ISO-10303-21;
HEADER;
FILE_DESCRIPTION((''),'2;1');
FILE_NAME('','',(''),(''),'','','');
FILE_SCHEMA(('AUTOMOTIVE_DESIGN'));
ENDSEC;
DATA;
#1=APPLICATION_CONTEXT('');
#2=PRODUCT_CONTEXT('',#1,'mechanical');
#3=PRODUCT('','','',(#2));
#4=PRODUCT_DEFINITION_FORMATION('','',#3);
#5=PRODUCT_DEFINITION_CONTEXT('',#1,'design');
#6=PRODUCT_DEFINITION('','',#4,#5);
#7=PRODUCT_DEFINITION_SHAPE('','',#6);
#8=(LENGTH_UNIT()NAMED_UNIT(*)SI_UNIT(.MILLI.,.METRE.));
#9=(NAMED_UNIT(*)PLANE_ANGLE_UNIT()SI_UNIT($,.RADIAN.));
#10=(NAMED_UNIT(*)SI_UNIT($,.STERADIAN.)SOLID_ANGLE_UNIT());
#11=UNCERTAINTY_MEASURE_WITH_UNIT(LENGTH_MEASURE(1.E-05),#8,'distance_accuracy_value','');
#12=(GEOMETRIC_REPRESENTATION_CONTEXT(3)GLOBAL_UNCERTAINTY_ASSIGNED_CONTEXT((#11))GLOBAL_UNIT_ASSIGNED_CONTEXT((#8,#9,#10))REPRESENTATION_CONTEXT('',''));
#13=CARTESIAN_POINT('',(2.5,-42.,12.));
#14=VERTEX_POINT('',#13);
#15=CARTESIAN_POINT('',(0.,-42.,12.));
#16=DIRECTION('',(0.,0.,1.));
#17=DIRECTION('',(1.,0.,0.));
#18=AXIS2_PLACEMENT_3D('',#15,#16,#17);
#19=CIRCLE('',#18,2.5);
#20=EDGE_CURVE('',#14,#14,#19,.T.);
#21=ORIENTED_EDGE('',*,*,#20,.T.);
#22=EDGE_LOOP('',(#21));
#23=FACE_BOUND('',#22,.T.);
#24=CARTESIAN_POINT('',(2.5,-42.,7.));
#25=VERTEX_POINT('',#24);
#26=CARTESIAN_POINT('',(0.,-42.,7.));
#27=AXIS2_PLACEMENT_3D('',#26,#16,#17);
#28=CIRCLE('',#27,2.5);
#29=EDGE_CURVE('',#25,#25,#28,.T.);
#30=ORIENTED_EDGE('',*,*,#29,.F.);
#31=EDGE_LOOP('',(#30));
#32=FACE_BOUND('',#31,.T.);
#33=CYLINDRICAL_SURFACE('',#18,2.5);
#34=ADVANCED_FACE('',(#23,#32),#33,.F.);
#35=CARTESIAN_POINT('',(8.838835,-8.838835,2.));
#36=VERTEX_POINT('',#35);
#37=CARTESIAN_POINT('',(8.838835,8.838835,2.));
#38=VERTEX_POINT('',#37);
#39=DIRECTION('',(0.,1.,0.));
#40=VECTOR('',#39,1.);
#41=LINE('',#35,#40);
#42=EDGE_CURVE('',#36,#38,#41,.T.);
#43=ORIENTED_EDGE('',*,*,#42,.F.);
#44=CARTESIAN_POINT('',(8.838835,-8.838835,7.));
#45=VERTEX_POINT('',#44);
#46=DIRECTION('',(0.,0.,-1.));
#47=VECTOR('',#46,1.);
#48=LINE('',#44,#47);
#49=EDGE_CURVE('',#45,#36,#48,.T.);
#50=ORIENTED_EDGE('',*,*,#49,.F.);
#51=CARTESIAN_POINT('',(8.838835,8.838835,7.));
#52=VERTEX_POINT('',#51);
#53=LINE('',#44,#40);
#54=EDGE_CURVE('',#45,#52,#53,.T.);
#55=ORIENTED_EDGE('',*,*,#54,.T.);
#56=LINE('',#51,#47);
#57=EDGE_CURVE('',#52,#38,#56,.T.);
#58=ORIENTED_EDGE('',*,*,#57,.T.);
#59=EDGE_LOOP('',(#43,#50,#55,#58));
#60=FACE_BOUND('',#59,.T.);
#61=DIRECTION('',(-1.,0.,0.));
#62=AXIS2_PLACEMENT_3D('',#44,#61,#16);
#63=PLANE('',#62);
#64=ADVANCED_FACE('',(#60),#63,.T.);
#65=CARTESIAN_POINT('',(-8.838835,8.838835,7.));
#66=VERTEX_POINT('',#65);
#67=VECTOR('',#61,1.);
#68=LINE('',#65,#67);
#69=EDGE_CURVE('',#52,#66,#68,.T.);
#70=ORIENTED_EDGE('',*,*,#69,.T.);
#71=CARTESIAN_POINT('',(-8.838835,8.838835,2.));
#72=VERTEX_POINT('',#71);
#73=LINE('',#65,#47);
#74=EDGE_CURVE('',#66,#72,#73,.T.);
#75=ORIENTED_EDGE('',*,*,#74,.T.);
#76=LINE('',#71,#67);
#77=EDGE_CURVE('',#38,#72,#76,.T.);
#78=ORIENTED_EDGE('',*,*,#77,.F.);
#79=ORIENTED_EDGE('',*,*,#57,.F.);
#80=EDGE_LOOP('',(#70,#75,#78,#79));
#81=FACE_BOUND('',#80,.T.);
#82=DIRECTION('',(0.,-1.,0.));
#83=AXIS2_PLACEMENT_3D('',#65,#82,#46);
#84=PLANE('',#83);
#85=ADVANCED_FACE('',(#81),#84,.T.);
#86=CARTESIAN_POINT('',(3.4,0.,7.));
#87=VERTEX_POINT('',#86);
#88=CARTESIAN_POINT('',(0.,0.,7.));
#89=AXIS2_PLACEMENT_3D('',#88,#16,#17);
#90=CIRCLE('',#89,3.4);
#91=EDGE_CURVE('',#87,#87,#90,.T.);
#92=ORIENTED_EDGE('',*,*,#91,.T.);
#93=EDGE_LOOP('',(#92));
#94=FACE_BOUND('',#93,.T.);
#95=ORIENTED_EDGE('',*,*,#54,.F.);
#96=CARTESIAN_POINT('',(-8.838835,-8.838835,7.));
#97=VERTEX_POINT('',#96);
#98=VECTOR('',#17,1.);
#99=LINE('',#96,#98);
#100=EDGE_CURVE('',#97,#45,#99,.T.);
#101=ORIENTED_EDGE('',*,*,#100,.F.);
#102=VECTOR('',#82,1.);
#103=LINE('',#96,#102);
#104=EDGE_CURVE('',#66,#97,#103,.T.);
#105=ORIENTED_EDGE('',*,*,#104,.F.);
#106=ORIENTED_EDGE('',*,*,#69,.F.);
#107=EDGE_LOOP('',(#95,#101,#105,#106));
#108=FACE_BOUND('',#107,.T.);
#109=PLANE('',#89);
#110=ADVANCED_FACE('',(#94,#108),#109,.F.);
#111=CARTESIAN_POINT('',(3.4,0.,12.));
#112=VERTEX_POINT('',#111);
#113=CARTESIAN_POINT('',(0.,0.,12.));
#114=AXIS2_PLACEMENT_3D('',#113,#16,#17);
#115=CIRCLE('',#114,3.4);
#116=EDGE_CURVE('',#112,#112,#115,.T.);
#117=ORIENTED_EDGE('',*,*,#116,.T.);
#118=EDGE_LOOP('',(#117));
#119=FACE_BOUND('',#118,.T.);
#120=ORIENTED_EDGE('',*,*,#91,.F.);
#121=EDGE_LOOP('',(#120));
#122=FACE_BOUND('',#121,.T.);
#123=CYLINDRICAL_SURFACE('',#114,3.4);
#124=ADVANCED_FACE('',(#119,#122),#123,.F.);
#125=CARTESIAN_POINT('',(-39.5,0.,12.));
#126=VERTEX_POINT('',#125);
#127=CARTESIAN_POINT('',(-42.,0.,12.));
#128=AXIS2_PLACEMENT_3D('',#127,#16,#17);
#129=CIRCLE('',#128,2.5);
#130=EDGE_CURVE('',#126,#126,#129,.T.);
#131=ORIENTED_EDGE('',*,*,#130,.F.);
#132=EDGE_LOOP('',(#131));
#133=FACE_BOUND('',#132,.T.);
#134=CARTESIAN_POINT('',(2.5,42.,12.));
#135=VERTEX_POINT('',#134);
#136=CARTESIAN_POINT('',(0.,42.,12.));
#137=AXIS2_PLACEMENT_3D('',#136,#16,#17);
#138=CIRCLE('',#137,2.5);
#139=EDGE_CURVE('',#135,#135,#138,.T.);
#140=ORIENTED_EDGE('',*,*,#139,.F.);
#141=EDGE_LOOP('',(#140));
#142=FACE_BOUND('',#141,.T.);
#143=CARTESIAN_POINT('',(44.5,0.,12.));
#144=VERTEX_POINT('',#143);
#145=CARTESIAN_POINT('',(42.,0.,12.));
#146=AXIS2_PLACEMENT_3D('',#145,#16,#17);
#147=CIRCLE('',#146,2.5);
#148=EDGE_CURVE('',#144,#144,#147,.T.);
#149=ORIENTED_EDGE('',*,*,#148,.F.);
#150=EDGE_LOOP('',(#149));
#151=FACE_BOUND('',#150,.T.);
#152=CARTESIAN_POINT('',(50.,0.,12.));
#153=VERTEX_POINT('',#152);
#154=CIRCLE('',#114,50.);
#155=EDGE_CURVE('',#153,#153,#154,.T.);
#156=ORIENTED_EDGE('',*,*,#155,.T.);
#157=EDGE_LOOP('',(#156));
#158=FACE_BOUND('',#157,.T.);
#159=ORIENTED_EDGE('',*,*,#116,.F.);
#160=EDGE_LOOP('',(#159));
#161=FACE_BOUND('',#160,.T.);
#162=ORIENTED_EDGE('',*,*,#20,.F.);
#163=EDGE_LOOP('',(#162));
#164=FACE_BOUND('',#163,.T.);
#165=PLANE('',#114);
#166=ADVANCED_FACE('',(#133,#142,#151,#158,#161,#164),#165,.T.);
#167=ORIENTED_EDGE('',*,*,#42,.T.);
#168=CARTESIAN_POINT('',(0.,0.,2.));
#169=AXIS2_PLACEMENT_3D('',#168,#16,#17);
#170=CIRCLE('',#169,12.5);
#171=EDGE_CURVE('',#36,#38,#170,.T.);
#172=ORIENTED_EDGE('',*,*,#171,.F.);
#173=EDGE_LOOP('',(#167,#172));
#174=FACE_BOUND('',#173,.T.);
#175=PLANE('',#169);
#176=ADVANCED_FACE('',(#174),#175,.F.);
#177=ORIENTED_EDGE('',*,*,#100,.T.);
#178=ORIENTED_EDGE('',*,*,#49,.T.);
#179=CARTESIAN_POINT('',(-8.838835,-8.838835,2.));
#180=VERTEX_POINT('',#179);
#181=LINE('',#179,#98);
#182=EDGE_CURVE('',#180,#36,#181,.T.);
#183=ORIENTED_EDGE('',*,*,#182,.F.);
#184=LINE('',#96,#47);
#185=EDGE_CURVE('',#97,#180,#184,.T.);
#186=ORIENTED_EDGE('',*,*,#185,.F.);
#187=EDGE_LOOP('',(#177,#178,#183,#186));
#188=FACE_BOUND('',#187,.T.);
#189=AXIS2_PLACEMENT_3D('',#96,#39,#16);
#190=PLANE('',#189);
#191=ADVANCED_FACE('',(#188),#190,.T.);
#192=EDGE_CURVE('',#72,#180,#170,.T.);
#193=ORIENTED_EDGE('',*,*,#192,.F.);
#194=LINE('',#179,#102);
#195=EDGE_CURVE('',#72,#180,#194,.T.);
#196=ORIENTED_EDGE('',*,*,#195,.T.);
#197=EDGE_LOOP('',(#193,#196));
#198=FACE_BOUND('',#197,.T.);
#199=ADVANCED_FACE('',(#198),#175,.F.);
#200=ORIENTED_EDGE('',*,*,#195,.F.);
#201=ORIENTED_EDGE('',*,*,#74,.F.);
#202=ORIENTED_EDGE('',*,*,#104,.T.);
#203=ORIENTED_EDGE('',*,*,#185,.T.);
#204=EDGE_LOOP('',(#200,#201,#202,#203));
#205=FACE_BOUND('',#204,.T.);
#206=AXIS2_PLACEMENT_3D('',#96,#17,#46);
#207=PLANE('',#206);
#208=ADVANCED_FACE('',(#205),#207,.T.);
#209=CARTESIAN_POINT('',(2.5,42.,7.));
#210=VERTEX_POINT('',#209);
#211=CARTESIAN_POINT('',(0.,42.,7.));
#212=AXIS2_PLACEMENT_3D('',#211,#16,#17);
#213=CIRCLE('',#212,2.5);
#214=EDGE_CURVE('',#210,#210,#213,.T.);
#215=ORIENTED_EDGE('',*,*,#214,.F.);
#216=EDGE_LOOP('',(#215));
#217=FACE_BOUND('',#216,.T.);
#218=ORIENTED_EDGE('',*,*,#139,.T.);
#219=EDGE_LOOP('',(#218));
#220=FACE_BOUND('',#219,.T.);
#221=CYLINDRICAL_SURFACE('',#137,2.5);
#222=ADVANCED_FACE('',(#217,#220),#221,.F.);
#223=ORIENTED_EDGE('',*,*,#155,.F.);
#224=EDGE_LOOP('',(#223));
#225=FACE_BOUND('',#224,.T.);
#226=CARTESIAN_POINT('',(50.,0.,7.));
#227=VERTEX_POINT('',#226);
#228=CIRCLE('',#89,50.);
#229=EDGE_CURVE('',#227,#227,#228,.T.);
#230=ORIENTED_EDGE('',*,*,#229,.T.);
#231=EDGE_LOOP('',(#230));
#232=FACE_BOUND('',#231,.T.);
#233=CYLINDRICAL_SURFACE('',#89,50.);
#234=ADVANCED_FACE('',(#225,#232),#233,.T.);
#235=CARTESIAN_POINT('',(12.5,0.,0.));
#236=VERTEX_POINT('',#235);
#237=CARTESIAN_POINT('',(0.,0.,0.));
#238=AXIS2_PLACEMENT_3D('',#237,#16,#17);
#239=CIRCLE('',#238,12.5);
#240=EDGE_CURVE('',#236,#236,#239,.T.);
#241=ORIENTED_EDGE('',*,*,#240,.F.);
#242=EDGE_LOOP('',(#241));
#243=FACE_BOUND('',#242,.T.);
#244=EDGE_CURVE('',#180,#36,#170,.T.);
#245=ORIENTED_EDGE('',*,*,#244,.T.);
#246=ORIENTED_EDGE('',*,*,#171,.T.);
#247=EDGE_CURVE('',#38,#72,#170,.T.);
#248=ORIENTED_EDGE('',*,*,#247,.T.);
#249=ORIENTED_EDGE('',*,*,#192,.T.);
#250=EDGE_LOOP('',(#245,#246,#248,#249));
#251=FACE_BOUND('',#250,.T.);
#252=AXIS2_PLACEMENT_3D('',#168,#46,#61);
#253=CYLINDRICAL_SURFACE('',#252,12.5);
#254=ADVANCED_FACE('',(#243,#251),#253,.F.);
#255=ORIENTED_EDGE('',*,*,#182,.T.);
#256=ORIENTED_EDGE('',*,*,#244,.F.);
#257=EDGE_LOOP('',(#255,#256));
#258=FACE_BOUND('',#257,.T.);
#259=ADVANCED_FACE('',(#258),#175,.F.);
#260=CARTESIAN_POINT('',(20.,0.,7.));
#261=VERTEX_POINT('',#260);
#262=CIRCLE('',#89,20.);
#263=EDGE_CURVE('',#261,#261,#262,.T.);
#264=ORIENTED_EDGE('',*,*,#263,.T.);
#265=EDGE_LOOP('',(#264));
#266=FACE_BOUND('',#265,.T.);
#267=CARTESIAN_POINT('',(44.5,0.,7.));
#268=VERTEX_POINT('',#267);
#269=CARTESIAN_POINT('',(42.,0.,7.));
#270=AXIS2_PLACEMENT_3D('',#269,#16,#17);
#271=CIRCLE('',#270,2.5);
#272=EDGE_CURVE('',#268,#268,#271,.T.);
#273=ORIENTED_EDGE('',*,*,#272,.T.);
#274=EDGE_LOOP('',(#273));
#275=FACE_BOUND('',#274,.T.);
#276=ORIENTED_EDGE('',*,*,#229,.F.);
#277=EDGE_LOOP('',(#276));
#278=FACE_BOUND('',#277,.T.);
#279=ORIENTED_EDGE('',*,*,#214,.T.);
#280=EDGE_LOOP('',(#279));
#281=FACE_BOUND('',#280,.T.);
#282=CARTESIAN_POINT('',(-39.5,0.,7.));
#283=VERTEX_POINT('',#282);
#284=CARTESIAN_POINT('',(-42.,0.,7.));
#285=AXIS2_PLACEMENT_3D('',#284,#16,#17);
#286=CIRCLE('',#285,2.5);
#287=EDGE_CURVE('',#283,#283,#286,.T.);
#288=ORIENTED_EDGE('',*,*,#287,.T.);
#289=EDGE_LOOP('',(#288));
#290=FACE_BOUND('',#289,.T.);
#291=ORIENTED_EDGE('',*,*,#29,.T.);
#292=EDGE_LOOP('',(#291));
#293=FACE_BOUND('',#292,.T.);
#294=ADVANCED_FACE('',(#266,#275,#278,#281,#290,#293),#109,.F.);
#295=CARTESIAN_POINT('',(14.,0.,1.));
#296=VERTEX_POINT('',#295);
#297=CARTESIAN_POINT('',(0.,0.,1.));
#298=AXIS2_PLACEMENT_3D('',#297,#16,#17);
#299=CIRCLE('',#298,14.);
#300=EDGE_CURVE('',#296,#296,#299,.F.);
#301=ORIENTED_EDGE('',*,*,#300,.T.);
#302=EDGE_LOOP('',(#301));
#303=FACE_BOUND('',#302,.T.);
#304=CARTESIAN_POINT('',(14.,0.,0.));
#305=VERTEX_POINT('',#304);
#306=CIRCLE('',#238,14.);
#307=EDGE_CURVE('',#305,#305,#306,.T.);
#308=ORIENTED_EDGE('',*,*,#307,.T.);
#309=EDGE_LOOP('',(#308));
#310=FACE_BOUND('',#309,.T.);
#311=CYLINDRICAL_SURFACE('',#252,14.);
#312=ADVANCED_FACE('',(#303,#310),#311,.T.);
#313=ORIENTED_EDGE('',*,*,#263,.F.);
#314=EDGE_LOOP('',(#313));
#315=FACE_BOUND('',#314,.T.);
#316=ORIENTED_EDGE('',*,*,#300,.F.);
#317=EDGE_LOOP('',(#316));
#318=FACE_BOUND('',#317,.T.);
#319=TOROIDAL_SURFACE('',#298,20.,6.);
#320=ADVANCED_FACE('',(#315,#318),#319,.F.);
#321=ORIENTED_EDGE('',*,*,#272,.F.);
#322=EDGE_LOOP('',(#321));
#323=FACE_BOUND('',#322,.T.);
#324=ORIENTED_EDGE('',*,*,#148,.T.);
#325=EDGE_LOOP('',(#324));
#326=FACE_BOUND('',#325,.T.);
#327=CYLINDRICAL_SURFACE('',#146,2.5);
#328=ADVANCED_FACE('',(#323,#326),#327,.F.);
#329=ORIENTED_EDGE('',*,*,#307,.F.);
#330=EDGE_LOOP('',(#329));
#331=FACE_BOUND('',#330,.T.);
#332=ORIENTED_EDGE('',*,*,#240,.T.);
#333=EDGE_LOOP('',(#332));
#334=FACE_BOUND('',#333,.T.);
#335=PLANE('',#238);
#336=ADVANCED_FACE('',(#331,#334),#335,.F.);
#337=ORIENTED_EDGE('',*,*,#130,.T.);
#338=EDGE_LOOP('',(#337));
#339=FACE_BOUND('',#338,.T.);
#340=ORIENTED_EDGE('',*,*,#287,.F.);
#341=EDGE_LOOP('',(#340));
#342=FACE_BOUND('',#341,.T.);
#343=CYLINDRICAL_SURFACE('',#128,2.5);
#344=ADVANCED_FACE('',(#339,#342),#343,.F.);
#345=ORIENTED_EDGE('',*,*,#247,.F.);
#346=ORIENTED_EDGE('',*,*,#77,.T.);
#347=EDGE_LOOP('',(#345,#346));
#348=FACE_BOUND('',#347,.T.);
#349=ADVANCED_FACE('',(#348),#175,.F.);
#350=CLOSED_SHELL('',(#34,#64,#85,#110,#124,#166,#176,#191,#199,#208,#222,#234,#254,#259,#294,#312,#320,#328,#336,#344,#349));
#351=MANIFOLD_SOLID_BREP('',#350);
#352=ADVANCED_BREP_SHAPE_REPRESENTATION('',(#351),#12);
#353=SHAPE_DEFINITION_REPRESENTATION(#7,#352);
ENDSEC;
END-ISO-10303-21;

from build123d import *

# Parameters (mm, degrees)
SKETCH1_R              = 14
SKETCH1_R_2            = 12.5
BOSS_EXTRUDE1_DEPTH    = 2
SKETCH2_R              = 14
SKETCH2_W              = 17.67766953
SKETCH2_H              = 17.67766953
BOSS_EXTRUDE2_DEPTH    = 5
SKETCH3_R              = 14
BOSS_EXTRUDE3_DEPTH    = 5
SKETCH6_R              = 50
BOSS_EXTRUDE4_DEPTH    = 5
M8X1_25_TAPPED_HOLE1_D = 6.8
M6X1_0_TAPPED_HOLE1_D  = 5
FILLET1_R              = 6


with BuildPart() as part:
    # Sketch1 → Boss-Extrude1 (new body)
    with BuildSketch(Plane.XY):
        Circle(SKETCH1_R)
        Circle(SKETCH1_R_2, mode=Mode.SUBTRACT)
    extrude(amount=BOSS_EXTRUDE1_DEPTH)

    # Sketch2 → Boss-Extrude2 (add)
    with BuildSketch(Plane.XY.offset(2)):
        Circle(SKETCH2_R)
        Rectangle(SKETCH2_W, SKETCH2_H, mode=Mode.SUBTRACT)
    extrude(amount=BOSS_EXTRUDE2_DEPTH)

    # Sketch3 → Boss-Extrude3 (add)
    with BuildSketch(Plane.XY.offset(7)):
        Circle(SKETCH3_R)
    extrude(amount=BOSS_EXTRUDE3_DEPTH)

    # Sketch6 → Boss-Extrude4 (add)
    with BuildSketch(Plane.XY.offset(12)):
        Circle(SKETCH6_R)
    extrude(amount=-BOSS_EXTRUDE4_DEPTH)

    # M8x1.25 Tapped Hole1 (through all)
    with Locations(Plane.XY.offset(12)):
        with Locations((0, 0)):
            Hole(M8X1_25_TAPPED_HOLE1_D / 2)

    # M6x1.0 Tapped Hole1 (through all)
    with Locations(Plane.XY.offset(12)):
        with Locations((0, 42), (42, 0), (0, -42), (-42, 0)):
            Hole(M6X1_0_TAPPED_HOLE1_D / 2)

    # Fillet1
    fillet1_edges = [part.edges().sort_by_distance(p)[0] for p in [
        (-14, 0, 7),
    ]]
    fillet(fillet1_edges, radius=FILLET1_R)


solid = part.part
